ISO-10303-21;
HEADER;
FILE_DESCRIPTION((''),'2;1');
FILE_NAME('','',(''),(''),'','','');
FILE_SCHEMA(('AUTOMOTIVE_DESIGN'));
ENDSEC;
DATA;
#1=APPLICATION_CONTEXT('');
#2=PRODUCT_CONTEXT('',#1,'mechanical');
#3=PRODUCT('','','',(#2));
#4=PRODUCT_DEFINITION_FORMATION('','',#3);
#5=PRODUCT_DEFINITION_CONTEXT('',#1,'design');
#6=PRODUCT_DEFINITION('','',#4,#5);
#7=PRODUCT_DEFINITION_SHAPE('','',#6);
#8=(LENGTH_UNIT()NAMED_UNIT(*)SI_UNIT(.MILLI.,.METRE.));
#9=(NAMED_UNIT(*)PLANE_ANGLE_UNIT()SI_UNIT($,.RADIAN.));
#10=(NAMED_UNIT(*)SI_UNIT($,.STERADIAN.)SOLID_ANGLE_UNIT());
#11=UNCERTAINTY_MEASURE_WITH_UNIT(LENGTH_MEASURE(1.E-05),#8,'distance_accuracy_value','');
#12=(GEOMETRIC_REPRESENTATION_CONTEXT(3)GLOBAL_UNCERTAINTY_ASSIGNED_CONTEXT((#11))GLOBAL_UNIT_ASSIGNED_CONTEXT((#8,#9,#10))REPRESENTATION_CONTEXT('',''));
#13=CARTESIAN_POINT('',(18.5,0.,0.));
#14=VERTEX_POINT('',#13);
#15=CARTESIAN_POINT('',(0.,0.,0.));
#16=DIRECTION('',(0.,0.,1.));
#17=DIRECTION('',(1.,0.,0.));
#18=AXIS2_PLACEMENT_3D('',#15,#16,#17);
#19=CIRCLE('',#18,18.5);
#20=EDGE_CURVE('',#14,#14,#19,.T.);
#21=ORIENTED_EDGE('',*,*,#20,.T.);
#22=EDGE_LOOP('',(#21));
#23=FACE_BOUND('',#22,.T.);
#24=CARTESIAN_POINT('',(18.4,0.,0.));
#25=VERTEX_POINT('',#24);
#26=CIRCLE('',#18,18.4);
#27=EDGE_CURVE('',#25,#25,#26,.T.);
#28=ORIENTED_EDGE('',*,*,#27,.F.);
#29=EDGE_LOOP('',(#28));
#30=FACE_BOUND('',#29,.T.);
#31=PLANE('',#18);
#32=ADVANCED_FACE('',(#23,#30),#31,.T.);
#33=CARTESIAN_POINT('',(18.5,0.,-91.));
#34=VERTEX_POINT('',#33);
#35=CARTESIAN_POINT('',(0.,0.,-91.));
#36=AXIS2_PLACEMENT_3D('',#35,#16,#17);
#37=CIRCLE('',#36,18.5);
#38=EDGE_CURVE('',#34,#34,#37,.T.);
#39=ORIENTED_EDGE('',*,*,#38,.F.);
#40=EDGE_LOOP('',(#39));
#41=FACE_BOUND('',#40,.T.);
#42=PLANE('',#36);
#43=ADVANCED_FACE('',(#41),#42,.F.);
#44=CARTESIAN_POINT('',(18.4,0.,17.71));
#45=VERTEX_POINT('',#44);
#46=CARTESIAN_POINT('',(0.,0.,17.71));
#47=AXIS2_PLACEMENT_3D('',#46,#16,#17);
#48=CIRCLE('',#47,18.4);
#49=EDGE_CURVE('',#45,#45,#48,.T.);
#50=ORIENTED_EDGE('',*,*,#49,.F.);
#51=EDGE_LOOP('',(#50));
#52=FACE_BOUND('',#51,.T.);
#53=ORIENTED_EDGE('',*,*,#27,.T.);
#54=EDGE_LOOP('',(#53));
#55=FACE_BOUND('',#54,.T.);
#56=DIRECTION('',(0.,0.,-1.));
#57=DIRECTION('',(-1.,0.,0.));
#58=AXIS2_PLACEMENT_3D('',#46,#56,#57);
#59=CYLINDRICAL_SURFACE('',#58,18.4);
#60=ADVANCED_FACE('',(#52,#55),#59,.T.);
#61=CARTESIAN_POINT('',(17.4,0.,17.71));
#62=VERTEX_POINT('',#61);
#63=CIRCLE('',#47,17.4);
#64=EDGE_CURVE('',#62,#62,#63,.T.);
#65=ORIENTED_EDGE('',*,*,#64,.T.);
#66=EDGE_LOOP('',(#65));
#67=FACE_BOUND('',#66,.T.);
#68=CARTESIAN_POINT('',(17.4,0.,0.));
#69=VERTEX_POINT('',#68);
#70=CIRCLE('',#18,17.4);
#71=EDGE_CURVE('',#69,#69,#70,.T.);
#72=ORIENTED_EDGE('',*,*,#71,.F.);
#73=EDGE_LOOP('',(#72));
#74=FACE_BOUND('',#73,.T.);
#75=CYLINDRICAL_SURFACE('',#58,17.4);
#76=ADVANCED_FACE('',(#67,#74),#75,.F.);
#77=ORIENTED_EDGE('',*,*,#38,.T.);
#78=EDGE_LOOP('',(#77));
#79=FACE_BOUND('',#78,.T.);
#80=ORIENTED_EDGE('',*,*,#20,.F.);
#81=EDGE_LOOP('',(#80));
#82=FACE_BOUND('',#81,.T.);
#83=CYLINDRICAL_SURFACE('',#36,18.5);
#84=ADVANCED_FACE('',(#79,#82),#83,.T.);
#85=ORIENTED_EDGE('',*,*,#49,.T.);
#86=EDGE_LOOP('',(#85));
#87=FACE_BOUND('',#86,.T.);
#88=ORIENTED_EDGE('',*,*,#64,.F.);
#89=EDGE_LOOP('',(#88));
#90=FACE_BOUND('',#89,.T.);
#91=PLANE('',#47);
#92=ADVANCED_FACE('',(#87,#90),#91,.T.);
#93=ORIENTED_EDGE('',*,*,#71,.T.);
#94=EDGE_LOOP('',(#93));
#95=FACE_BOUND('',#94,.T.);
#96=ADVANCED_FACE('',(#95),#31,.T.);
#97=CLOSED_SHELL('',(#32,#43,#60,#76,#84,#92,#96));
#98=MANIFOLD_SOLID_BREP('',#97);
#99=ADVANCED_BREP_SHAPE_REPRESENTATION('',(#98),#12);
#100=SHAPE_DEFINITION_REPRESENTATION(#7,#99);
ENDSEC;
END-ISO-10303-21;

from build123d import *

# Parameters (mm, degrees)
SKETCH1_R           = 18.4
SKETCH1_R_2         = 17.4
BOSS_EXTRUDE1_DEPTH = 17.71
BOSS_EXTRUDE2_START = -91
SKETCH1_2_R         = 18.5
SKETCH1_2_R_2       = 17.4
SKETCH1_2_R_3       = 18.4
BOSS_EXTRUDE2_DEPTH = 91


with BuildPart() as part:
    # Sketch1 → Boss-Extrude1 (new body)
    with BuildSketch(Plane.XY):
        Circle(SKETCH1_R)
        Circle(SKETCH1_R_2, mode=Mode.SUBTRACT)
    extrude(amount=BOSS_EXTRUDE1_DEPTH)

    # Sketch1<2> → Boss-Extrude2 (add)
    # profile 1 of 3: a face of its own
    with BuildSketch(Plane.XY.offset(BOSS_EXTRUDE2_START)):
        Circle(SKETCH1_2_R)
        Circle(SKETCH1_2_R_2, mode=Mode.SUBTRACT)
    # profile 2 of 3: a face of its own
    with BuildSketch(Plane.XY.offset(BOSS_EXTRUDE2_START)):
        Circle(SKETCH1_2_R)
        Circle(SKETCH1_2_R_3, mode=Mode.SUBTRACT)
    # profile 3 of 3: a face of its own
    with BuildSketch(Plane.XY.offset(BOSS_EXTRUDE2_START)):
        Circle(SKETCH1_2_R_2)
    extrude(amount=BOSS_EXTRUDE2_DEPTH)


solid = part.part
